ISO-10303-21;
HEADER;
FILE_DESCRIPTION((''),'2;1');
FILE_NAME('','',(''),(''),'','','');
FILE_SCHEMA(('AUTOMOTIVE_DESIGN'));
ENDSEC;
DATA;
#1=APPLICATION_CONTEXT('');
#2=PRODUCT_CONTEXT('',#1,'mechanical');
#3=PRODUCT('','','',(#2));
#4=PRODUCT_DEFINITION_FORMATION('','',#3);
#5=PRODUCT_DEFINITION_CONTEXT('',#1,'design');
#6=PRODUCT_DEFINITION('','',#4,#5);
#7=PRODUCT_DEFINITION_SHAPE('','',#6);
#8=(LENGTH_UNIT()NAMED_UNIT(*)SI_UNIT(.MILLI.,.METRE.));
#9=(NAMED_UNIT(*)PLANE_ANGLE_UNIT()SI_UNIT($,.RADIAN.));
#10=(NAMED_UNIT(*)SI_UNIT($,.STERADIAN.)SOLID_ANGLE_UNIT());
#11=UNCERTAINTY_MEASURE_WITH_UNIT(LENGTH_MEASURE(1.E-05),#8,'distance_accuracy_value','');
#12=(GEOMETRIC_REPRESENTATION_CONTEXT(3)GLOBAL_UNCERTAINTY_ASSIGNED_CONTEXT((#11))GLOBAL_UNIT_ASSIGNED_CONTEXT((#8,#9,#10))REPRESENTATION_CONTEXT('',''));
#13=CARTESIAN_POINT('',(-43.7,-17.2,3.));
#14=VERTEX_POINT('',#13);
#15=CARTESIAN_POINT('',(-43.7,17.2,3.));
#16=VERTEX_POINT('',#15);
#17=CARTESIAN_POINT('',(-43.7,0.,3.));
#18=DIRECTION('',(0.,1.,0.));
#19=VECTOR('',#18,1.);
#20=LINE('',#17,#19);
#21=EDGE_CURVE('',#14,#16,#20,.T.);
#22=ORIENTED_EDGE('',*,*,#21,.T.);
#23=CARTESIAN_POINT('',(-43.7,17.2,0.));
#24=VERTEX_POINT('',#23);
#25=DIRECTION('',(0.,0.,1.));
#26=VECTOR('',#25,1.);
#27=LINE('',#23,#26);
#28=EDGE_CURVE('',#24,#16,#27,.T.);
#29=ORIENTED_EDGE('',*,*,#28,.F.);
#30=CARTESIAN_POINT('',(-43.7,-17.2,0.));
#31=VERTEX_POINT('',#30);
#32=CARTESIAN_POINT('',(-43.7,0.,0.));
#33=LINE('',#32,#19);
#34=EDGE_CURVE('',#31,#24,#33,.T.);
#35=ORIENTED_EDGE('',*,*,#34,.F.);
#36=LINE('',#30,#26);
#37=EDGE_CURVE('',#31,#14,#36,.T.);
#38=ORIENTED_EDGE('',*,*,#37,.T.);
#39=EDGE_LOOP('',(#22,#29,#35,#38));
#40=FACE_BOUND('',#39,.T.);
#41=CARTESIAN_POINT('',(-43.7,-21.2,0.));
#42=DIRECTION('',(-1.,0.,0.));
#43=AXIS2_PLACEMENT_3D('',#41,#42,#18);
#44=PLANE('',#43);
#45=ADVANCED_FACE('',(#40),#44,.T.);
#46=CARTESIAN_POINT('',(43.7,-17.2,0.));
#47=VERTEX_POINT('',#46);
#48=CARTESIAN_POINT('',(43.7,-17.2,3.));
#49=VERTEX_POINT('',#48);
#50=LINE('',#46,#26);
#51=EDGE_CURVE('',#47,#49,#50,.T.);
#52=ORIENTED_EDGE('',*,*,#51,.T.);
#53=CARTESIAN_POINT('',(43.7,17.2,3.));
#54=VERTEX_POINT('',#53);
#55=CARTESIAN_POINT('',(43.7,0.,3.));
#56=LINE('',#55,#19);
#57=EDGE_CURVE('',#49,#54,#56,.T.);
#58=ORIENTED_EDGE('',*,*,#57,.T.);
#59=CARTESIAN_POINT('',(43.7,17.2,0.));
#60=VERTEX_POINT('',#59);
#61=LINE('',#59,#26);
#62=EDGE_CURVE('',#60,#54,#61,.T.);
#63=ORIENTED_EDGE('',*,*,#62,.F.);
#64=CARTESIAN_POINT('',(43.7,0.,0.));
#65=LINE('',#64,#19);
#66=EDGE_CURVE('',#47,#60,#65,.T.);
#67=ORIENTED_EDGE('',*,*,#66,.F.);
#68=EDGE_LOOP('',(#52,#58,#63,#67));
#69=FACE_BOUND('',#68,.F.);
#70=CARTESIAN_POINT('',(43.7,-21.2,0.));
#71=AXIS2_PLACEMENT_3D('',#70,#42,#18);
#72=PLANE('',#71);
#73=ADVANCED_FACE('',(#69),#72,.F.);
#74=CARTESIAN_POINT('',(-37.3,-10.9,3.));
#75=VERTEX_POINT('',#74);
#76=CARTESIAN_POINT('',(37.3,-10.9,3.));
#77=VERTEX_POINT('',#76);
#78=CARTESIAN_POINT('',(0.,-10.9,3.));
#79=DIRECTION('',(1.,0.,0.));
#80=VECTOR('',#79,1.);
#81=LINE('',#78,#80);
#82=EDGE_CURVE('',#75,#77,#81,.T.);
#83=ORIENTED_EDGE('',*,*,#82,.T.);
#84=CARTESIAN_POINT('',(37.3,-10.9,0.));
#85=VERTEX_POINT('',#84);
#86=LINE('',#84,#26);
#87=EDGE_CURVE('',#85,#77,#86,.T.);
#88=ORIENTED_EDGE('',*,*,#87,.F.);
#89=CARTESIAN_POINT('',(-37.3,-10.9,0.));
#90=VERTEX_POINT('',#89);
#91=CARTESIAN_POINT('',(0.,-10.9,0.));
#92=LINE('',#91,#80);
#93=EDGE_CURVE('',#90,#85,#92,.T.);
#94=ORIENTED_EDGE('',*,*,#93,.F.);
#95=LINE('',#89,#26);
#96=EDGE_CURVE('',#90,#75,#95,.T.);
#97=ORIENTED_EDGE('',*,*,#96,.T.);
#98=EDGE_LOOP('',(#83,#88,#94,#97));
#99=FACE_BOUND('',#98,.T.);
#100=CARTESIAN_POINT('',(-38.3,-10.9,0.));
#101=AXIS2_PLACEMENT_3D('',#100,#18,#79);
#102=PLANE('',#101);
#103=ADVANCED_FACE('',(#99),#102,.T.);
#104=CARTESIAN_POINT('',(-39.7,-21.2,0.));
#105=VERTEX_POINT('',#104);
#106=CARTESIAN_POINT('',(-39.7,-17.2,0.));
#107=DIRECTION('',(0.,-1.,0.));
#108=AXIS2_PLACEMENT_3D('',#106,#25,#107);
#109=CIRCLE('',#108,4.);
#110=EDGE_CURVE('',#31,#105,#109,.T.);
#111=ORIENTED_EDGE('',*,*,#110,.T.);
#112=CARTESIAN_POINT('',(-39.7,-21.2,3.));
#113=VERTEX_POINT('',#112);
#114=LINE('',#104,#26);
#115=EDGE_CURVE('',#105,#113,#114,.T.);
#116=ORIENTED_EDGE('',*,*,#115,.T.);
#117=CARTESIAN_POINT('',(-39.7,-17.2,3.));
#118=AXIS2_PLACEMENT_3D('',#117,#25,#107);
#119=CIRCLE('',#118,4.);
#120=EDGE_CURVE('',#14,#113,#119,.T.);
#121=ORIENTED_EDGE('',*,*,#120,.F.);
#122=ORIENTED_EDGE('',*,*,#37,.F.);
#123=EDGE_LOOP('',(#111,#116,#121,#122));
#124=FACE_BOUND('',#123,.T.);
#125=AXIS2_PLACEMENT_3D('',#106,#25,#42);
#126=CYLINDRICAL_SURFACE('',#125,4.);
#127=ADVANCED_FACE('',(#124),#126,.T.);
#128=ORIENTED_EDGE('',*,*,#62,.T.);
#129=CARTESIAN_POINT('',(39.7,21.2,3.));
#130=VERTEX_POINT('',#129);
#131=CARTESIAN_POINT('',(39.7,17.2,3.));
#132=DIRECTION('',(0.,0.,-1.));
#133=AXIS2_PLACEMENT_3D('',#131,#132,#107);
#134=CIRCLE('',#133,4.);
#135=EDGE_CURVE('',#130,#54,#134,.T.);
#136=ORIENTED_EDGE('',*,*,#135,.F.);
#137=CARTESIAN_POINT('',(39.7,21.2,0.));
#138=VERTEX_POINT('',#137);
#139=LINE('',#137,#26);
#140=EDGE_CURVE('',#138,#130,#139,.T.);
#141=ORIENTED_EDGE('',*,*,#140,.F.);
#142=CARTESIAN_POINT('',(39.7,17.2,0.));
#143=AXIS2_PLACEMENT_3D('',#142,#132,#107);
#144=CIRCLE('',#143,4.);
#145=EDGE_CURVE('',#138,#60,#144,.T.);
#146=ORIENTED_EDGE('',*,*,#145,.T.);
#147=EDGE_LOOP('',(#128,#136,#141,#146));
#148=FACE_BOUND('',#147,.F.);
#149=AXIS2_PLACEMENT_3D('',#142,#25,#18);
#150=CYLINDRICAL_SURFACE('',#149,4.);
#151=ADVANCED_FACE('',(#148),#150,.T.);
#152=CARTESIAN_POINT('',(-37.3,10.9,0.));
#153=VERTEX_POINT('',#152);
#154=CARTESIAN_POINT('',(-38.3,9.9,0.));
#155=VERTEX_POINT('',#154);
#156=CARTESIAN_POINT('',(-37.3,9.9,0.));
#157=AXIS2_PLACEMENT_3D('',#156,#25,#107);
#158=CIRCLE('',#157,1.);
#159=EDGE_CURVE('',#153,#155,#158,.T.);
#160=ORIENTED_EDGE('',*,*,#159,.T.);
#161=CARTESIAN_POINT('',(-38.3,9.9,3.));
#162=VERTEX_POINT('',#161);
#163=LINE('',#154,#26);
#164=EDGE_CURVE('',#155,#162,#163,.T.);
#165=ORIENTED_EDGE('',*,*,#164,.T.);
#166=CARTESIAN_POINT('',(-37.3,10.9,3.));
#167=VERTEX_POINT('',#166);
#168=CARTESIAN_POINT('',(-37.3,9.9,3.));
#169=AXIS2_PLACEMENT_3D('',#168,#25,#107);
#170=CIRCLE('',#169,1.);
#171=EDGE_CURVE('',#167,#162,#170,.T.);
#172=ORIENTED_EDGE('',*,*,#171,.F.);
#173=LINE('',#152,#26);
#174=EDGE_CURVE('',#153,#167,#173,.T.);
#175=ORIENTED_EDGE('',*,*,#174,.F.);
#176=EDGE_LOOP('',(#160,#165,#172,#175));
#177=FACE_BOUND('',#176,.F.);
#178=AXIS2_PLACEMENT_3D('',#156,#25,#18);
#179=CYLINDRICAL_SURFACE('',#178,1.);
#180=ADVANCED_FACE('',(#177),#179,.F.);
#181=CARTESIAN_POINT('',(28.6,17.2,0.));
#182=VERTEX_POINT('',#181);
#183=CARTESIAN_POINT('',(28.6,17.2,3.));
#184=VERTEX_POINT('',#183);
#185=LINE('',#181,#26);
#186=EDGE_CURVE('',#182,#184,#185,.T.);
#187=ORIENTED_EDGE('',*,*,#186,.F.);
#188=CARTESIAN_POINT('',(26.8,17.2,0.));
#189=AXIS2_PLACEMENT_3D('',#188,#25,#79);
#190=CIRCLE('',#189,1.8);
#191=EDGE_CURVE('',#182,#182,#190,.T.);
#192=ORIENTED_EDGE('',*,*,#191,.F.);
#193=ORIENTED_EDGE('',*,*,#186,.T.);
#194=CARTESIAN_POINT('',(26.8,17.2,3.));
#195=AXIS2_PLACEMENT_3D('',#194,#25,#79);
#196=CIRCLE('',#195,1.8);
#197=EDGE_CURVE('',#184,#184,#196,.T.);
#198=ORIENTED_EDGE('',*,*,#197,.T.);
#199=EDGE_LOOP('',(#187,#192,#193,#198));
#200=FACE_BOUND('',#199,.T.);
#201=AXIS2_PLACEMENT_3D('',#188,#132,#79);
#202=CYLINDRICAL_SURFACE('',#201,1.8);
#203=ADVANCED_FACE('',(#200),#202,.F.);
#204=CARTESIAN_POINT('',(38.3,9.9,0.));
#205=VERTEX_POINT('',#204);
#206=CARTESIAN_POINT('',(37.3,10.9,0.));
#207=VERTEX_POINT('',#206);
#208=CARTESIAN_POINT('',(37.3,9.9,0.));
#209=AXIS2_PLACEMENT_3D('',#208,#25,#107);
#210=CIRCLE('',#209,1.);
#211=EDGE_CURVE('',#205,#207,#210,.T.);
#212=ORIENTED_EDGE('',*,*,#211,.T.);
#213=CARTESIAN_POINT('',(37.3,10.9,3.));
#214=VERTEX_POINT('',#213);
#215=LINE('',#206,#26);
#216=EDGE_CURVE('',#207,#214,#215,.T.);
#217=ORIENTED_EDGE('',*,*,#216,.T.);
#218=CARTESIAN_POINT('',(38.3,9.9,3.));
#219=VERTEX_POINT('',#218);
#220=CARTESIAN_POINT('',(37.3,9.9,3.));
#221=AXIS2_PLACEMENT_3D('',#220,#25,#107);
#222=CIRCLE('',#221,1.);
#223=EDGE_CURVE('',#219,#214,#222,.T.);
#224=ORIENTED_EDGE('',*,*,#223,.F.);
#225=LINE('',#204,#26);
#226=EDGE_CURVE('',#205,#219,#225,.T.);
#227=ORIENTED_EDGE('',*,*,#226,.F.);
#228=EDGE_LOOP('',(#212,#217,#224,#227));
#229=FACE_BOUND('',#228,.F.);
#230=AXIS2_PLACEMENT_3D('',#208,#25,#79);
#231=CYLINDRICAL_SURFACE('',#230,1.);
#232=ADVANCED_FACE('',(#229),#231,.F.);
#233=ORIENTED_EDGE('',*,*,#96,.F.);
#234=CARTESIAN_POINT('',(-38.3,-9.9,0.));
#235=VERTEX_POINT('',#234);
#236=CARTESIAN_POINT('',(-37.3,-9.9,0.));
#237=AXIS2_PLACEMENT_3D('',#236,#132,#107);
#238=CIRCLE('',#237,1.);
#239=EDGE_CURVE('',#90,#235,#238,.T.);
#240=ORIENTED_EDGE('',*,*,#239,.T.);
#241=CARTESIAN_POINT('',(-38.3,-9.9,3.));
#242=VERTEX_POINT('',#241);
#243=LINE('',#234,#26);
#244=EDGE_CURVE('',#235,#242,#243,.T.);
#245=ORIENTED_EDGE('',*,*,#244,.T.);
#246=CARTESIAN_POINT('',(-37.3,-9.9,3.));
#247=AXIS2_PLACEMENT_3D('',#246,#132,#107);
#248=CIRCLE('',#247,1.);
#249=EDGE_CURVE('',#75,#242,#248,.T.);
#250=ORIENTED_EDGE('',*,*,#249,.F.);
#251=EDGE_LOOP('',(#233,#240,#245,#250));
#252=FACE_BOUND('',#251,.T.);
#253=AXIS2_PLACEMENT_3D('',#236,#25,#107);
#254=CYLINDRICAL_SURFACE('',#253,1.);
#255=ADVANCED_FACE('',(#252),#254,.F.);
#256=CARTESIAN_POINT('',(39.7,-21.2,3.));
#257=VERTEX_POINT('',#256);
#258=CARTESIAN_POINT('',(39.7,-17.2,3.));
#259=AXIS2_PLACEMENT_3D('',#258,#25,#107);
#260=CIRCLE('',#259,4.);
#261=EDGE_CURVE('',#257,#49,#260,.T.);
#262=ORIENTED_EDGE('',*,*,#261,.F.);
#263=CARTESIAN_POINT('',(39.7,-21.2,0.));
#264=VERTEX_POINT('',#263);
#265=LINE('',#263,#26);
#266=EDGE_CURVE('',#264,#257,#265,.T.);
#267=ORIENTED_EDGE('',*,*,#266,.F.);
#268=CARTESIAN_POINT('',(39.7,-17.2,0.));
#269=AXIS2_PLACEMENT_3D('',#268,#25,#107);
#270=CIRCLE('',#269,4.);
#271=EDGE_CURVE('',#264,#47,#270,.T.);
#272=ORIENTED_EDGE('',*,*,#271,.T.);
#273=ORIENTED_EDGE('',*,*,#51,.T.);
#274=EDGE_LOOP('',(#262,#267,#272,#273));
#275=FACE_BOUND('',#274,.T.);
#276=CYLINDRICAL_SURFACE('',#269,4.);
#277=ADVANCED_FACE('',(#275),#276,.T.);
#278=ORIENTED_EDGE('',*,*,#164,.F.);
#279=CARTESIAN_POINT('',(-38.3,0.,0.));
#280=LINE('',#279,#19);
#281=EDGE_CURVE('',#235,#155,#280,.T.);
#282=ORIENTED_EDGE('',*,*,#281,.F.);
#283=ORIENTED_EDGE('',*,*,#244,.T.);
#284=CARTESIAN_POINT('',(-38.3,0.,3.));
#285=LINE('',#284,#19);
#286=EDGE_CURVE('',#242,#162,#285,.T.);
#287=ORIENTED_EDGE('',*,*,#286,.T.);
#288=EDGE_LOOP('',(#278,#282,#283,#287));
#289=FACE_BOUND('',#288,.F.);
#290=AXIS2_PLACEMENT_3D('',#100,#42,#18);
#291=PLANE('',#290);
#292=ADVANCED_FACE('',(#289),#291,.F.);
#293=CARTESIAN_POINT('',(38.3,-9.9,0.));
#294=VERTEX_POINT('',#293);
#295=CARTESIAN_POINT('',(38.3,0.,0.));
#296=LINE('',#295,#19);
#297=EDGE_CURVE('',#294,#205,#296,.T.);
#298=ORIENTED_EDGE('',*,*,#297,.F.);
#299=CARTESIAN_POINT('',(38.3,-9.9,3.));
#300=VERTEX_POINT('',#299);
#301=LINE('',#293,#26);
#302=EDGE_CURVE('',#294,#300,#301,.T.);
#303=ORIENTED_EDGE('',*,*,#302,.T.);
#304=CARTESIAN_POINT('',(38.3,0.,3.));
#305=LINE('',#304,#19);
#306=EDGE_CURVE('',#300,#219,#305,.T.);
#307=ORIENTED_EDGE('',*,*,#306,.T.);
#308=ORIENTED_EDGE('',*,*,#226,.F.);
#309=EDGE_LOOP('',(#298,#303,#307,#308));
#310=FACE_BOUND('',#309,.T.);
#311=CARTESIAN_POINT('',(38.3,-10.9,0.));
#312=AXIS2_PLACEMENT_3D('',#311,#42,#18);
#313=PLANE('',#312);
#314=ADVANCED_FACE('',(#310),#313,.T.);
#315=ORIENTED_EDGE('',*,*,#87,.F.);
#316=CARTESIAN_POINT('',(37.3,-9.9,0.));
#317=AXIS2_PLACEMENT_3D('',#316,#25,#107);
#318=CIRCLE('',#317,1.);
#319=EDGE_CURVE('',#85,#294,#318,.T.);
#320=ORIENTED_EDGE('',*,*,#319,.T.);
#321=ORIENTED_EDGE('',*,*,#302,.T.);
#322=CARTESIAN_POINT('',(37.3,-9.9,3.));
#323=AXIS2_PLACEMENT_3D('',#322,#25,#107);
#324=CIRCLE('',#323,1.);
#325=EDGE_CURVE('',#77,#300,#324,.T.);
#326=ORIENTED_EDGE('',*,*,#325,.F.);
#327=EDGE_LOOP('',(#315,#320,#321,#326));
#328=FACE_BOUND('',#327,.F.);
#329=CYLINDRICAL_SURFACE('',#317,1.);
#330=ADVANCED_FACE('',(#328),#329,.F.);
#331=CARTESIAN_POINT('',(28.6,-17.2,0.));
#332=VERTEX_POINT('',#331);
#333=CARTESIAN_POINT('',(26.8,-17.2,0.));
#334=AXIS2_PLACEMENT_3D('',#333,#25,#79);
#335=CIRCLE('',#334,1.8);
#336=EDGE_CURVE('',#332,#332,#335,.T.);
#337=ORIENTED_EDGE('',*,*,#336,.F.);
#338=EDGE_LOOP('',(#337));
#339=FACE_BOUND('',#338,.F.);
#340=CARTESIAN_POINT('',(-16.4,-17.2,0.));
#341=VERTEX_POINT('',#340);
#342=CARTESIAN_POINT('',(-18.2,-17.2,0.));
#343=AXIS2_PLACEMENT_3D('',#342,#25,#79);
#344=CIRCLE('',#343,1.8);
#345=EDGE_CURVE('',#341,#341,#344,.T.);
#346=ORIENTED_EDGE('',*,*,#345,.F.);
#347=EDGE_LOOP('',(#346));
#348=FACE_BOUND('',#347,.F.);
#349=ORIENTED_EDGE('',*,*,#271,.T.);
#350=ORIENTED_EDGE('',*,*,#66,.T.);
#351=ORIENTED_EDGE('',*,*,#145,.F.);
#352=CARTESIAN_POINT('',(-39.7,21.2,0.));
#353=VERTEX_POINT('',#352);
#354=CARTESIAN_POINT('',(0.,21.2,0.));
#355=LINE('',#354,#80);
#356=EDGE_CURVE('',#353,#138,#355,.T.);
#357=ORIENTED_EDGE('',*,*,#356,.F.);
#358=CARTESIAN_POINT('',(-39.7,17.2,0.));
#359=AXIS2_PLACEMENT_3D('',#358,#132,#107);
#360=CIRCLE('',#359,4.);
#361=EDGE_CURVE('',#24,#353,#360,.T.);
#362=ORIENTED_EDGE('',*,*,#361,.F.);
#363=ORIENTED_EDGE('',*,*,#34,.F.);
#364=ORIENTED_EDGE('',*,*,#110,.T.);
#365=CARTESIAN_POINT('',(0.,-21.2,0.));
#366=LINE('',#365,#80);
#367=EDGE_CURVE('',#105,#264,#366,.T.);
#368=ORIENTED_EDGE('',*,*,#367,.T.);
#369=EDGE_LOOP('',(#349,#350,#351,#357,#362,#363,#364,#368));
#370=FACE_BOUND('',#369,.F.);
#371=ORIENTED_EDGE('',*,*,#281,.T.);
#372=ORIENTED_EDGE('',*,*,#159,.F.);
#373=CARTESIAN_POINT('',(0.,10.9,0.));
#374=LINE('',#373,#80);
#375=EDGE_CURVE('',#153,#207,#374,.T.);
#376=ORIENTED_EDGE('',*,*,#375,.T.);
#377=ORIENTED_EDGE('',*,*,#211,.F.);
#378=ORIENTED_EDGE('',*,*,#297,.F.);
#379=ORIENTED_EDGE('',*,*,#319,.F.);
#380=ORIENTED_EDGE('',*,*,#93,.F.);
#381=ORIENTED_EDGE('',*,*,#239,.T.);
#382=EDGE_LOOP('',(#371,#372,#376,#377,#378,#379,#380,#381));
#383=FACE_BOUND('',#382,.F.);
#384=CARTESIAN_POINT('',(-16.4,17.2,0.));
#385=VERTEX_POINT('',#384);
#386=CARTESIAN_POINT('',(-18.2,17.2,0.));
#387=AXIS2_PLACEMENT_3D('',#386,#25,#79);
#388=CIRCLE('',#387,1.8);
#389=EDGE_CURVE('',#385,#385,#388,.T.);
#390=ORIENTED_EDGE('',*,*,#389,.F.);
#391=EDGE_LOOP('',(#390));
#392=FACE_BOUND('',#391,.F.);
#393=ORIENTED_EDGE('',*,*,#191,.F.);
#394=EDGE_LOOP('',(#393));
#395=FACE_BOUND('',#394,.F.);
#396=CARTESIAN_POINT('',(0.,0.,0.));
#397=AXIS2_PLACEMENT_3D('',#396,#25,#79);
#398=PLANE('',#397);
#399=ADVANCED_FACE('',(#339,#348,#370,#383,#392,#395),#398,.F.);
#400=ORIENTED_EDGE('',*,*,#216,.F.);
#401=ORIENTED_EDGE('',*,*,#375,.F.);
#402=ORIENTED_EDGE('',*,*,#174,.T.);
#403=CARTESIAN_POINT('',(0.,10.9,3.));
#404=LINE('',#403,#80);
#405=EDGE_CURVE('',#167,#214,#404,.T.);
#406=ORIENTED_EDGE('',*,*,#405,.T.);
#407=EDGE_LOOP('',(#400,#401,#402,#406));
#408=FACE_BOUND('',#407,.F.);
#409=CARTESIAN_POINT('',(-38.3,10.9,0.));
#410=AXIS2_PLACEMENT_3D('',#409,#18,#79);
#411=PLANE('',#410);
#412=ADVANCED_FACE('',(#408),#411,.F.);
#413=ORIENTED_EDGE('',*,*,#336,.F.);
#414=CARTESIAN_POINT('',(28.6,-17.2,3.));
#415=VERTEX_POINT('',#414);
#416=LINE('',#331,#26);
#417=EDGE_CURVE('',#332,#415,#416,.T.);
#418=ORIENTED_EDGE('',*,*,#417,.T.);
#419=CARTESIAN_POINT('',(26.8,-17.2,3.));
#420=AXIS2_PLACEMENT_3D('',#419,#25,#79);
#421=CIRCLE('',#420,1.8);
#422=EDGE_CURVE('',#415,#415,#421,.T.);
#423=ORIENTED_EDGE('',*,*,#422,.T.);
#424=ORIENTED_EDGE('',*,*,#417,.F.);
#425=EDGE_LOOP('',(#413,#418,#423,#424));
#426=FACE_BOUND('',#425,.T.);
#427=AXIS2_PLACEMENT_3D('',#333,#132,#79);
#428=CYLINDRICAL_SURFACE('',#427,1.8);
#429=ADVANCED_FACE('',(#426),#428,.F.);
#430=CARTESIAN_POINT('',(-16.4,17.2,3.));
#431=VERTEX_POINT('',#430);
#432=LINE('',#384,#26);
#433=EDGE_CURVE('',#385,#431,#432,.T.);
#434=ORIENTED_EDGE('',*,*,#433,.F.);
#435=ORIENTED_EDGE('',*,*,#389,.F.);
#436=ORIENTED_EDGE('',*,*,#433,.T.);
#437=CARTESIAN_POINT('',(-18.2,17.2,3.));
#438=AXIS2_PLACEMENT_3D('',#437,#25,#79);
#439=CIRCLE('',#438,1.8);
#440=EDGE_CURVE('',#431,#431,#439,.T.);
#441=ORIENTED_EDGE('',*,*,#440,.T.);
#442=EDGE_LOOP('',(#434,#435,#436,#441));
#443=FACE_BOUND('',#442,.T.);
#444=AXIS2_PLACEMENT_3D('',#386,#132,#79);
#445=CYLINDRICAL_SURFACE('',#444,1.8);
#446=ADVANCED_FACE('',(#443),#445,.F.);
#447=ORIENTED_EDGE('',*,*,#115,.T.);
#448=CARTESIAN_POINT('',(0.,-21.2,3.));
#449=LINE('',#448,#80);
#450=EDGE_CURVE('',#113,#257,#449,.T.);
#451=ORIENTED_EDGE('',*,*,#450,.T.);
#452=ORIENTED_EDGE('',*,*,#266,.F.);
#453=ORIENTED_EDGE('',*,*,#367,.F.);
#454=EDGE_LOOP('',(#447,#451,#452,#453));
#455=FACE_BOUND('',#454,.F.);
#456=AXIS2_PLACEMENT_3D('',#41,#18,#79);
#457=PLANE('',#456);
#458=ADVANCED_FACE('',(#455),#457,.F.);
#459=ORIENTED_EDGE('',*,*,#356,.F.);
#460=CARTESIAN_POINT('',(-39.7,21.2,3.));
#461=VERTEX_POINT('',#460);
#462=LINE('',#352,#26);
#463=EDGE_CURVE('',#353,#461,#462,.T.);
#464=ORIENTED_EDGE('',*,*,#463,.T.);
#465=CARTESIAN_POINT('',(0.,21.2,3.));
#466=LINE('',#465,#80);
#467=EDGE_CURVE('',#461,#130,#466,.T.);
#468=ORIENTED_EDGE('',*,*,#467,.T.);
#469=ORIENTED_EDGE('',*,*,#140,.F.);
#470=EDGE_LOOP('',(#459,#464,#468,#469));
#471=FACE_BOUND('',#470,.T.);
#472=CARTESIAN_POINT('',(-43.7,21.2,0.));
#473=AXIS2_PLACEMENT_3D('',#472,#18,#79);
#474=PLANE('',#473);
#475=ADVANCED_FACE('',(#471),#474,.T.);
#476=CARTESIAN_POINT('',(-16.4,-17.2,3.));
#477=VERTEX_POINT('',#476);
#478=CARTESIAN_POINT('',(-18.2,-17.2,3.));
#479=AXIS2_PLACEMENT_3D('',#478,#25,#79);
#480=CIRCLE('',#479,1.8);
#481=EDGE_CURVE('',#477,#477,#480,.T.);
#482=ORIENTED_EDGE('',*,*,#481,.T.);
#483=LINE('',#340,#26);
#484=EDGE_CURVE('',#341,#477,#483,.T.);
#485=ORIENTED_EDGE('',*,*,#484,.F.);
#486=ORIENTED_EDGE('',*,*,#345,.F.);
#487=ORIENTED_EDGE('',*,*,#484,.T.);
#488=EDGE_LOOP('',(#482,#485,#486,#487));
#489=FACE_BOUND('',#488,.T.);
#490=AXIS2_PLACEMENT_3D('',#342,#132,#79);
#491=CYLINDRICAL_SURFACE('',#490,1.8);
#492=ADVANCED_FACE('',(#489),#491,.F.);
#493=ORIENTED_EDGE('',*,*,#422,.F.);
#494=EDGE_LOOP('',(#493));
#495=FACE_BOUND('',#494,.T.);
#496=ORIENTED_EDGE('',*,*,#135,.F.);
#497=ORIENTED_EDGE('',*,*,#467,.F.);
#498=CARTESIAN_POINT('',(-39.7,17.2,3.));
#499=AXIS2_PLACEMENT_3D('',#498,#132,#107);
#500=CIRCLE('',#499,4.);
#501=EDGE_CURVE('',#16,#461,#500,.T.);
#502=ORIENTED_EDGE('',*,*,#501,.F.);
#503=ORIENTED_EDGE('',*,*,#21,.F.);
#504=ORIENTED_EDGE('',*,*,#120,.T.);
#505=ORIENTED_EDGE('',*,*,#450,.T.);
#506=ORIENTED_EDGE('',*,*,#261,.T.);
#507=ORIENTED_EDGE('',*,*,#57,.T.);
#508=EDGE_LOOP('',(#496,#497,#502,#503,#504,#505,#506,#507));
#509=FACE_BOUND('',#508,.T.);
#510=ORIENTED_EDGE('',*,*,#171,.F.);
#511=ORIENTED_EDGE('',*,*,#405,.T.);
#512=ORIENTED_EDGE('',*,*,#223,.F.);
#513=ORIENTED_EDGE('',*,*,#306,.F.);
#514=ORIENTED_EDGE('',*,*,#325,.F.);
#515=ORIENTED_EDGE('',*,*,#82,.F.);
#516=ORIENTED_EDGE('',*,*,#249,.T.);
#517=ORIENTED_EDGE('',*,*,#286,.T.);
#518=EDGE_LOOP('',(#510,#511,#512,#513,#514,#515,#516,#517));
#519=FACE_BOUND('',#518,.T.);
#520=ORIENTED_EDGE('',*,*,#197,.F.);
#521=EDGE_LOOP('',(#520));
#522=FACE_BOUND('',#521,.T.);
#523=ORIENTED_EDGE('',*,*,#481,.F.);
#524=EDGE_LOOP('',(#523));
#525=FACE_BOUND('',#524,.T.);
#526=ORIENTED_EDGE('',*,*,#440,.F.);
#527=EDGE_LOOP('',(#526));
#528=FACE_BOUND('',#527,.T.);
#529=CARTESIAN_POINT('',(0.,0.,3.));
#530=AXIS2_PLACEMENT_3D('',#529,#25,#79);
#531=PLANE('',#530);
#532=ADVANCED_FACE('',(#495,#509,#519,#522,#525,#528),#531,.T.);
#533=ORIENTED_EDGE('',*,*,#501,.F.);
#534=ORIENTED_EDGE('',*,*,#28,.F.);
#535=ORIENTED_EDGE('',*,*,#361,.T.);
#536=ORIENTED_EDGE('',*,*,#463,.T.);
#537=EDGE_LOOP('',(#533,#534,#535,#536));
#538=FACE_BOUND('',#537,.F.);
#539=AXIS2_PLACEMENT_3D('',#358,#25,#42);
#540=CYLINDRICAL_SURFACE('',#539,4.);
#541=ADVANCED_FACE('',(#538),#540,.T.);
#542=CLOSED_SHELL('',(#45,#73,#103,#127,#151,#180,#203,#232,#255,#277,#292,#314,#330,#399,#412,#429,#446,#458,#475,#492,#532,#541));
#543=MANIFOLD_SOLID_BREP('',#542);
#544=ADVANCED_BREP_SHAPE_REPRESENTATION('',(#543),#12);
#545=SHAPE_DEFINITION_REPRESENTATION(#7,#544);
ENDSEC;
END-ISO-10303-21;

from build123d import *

# Parameters (mm, degrees)
SKETCH_W    = 87.4
SKETCH_H    = 42.4
SKETCH_R    = 1.8
SKETCH_W_2  = 76.6
SKETCH_H_2  = 21.8
PAD_DEPTH   = 3
FILLET_R    = 4
FILLET001_R = 1


with BuildPart() as part:
    # Sketch → Pad (new body)
    with BuildSketch(Plane.XY):
        Rectangle(SKETCH_W, SKETCH_H)
        with Locations((-18.2, 17.2)):
            Circle(SKETCH_R, mode=Mode.SUBTRACT)
        with Locations((-18.2, -17.2)):
            Circle(SKETCH_R, mode=Mode.SUBTRACT)
        with Locations((26.8, -17.2)):
            Circle(SKETCH_R, mode=Mode.SUBTRACT)
        with Locations((26.8, 17.2)):
            Circle(SKETCH_R, mode=Mode.SUBTRACT)
        Rectangle(SKETCH_W_2, SKETCH_H_2, mode=Mode.SUBTRACT)
    extrude(amount=PAD_DEPTH)

    # Fillet
    fillet_edges = [part.edges().sort_by_distance(p)[0] for p in [
        (43.7, -21.2, 1.5),
        (-43.7, -21.2, 1.5),
        (43.7, 21.2, 1.5),
        (-43.7, 21.2, 1.5),
    ]]
    fillet(fillet_edges, radius=FILLET_R)

    # Fillet001
    fillet001_edges = [part.edges().sort_by_distance(p)[0] for p in [
        (38.3, 10.9, 1.5),
        (38.3, -10.9, 1.5),
        (-38.3, -10.9, 1.5),
        (-38.3, 10.9, 1.5),
    ]]
    fillet(fillet001_edges, radius=FILLET001_R)


solid = part.part
